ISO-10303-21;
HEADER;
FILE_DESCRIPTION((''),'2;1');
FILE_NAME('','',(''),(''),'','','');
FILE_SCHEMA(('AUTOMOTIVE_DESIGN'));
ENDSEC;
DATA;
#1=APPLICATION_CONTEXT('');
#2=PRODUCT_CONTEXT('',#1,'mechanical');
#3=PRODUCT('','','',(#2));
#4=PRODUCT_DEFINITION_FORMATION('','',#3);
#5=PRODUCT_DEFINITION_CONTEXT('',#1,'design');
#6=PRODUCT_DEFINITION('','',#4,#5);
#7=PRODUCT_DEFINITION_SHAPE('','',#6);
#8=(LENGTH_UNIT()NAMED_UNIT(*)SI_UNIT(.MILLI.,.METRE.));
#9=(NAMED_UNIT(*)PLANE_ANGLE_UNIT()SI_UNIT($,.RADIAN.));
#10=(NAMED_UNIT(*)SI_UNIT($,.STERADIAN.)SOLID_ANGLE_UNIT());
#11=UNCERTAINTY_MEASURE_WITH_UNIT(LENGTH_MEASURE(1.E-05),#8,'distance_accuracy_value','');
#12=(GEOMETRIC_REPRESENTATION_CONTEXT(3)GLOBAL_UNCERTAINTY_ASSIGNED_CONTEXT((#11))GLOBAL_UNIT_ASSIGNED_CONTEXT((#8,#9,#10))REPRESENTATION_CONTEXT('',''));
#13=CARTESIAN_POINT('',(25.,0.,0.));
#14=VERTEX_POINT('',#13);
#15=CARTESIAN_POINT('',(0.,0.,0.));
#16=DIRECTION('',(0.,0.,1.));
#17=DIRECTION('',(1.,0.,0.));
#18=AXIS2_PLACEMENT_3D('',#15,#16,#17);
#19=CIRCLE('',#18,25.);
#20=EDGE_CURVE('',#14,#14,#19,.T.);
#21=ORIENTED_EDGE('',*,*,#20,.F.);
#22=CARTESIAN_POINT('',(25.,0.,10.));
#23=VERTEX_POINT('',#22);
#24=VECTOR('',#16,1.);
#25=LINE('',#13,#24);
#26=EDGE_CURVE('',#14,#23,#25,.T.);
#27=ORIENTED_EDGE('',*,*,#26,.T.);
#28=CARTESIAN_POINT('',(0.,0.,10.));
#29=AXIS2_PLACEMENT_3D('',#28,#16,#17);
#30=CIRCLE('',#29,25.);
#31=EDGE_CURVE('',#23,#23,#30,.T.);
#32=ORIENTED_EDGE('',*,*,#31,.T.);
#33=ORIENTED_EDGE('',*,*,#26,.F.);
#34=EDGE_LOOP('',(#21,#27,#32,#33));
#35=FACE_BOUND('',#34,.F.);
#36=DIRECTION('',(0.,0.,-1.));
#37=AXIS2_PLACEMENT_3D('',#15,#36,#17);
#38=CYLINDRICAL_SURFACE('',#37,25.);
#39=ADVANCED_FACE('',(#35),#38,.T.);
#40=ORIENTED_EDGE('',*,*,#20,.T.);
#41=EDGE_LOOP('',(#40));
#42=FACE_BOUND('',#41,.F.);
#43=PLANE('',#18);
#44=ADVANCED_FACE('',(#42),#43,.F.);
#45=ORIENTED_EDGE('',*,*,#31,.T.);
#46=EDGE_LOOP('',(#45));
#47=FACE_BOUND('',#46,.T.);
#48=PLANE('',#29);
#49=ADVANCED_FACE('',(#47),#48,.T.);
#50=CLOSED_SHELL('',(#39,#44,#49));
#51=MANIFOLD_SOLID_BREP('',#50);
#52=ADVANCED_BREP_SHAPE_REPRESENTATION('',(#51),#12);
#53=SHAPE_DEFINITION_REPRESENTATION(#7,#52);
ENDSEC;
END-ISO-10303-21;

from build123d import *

# Parameters (mm, degrees)
SKETCH_1_R      = 25
EXTRUDE_1_DEPTH = 10


with BuildPart() as part:
    # 草图1 → 凸台-拉伸1 (new body)
    with BuildSketch(Plane.XY):
        Circle(SKETCH_1_R)
    extrude(amount=EXTRUDE_1_DEPTH)


solid = part.part
